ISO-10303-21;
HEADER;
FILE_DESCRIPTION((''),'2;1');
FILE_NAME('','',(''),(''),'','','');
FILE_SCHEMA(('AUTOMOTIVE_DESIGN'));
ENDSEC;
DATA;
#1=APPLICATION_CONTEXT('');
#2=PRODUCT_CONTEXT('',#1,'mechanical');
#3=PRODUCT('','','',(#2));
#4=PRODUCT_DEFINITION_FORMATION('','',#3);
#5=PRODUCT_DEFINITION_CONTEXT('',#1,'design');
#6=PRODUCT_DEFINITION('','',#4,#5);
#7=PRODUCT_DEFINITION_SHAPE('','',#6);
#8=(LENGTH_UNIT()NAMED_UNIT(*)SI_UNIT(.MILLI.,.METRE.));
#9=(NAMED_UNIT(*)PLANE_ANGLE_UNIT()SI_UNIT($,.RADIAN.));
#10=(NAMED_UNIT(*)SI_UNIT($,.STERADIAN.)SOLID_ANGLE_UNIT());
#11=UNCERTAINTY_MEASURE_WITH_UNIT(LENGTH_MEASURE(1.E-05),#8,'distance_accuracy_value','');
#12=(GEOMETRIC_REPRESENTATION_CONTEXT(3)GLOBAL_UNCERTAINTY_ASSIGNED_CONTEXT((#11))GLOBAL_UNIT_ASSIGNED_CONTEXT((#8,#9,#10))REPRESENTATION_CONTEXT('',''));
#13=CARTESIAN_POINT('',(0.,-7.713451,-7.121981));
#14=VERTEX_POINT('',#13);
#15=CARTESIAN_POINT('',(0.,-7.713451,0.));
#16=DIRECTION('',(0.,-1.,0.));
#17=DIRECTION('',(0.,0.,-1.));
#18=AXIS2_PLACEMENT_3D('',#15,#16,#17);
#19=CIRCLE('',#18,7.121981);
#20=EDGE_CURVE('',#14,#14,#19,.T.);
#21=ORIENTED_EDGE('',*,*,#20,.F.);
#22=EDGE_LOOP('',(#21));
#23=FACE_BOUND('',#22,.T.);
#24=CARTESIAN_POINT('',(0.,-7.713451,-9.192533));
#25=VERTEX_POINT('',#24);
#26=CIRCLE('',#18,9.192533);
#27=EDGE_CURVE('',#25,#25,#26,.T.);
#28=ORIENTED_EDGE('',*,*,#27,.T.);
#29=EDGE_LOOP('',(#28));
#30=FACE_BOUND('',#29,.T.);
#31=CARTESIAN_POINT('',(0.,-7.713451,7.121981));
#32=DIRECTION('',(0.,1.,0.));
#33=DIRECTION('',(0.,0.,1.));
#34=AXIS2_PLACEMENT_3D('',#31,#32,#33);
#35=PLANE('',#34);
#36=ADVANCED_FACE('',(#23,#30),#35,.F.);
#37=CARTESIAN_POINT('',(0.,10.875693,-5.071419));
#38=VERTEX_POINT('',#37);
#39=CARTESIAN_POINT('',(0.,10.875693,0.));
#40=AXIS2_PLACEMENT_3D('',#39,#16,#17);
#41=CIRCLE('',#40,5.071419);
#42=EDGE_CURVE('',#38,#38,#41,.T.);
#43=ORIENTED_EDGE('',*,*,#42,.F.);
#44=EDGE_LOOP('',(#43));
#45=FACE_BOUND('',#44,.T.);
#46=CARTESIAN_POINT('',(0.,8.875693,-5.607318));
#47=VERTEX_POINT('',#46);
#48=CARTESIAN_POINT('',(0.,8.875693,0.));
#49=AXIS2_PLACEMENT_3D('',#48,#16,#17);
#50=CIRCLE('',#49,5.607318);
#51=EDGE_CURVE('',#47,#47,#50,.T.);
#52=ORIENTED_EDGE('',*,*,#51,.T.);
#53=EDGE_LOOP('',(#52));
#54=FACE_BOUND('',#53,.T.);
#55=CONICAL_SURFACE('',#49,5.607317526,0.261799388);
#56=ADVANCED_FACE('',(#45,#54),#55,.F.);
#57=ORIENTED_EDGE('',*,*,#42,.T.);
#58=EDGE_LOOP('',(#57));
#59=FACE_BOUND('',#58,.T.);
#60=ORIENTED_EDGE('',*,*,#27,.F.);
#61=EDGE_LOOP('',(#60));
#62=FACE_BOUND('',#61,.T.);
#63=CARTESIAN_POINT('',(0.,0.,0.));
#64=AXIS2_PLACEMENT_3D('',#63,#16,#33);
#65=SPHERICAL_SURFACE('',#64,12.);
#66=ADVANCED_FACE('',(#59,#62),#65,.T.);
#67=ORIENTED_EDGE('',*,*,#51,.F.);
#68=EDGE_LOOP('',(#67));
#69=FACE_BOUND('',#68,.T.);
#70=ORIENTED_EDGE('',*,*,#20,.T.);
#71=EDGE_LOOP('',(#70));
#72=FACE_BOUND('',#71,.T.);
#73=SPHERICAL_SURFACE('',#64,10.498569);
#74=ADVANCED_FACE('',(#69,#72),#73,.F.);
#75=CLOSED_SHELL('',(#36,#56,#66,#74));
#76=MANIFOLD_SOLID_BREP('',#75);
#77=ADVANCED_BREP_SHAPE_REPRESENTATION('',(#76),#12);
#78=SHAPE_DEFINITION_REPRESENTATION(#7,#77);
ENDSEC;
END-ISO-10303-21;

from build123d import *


with BuildPart() as part:
    # Sketch1 → Revolve1 (revolve)
    with BuildSketch(Plane(origin=(0, 0, 0), x_dir=(0, 0, -1), z_dir=(1, 0, 0)), mode=Mode.PRIVATE) as revolve1_sk:
        with BuildLine():
            Line((-5.607317526, 8.875693444), (-5.071419141, 10.875693444))
            ThreePointArc((-5.071419141, 10.875693444), (-11.715552085, 2.597275367), (-9.192533317, -7.713451316))
            Line((-9.192533317, -7.713451316), (-7.121980957, -7.713451316))
            ThreePointArc((-7.121980957, -7.713451316), (-10.455079671, 0.954595736), (-5.607317526, 8.875693444))
        make_face()
    revolve(revolve1_sk.sketch.rotate(Axis((0, 0, 0), (0, 1, 0)), 180), axis=Axis((0, 0, 0), (0, 1, 0)))  # turned: the seam where the file's is


solid = part.part
